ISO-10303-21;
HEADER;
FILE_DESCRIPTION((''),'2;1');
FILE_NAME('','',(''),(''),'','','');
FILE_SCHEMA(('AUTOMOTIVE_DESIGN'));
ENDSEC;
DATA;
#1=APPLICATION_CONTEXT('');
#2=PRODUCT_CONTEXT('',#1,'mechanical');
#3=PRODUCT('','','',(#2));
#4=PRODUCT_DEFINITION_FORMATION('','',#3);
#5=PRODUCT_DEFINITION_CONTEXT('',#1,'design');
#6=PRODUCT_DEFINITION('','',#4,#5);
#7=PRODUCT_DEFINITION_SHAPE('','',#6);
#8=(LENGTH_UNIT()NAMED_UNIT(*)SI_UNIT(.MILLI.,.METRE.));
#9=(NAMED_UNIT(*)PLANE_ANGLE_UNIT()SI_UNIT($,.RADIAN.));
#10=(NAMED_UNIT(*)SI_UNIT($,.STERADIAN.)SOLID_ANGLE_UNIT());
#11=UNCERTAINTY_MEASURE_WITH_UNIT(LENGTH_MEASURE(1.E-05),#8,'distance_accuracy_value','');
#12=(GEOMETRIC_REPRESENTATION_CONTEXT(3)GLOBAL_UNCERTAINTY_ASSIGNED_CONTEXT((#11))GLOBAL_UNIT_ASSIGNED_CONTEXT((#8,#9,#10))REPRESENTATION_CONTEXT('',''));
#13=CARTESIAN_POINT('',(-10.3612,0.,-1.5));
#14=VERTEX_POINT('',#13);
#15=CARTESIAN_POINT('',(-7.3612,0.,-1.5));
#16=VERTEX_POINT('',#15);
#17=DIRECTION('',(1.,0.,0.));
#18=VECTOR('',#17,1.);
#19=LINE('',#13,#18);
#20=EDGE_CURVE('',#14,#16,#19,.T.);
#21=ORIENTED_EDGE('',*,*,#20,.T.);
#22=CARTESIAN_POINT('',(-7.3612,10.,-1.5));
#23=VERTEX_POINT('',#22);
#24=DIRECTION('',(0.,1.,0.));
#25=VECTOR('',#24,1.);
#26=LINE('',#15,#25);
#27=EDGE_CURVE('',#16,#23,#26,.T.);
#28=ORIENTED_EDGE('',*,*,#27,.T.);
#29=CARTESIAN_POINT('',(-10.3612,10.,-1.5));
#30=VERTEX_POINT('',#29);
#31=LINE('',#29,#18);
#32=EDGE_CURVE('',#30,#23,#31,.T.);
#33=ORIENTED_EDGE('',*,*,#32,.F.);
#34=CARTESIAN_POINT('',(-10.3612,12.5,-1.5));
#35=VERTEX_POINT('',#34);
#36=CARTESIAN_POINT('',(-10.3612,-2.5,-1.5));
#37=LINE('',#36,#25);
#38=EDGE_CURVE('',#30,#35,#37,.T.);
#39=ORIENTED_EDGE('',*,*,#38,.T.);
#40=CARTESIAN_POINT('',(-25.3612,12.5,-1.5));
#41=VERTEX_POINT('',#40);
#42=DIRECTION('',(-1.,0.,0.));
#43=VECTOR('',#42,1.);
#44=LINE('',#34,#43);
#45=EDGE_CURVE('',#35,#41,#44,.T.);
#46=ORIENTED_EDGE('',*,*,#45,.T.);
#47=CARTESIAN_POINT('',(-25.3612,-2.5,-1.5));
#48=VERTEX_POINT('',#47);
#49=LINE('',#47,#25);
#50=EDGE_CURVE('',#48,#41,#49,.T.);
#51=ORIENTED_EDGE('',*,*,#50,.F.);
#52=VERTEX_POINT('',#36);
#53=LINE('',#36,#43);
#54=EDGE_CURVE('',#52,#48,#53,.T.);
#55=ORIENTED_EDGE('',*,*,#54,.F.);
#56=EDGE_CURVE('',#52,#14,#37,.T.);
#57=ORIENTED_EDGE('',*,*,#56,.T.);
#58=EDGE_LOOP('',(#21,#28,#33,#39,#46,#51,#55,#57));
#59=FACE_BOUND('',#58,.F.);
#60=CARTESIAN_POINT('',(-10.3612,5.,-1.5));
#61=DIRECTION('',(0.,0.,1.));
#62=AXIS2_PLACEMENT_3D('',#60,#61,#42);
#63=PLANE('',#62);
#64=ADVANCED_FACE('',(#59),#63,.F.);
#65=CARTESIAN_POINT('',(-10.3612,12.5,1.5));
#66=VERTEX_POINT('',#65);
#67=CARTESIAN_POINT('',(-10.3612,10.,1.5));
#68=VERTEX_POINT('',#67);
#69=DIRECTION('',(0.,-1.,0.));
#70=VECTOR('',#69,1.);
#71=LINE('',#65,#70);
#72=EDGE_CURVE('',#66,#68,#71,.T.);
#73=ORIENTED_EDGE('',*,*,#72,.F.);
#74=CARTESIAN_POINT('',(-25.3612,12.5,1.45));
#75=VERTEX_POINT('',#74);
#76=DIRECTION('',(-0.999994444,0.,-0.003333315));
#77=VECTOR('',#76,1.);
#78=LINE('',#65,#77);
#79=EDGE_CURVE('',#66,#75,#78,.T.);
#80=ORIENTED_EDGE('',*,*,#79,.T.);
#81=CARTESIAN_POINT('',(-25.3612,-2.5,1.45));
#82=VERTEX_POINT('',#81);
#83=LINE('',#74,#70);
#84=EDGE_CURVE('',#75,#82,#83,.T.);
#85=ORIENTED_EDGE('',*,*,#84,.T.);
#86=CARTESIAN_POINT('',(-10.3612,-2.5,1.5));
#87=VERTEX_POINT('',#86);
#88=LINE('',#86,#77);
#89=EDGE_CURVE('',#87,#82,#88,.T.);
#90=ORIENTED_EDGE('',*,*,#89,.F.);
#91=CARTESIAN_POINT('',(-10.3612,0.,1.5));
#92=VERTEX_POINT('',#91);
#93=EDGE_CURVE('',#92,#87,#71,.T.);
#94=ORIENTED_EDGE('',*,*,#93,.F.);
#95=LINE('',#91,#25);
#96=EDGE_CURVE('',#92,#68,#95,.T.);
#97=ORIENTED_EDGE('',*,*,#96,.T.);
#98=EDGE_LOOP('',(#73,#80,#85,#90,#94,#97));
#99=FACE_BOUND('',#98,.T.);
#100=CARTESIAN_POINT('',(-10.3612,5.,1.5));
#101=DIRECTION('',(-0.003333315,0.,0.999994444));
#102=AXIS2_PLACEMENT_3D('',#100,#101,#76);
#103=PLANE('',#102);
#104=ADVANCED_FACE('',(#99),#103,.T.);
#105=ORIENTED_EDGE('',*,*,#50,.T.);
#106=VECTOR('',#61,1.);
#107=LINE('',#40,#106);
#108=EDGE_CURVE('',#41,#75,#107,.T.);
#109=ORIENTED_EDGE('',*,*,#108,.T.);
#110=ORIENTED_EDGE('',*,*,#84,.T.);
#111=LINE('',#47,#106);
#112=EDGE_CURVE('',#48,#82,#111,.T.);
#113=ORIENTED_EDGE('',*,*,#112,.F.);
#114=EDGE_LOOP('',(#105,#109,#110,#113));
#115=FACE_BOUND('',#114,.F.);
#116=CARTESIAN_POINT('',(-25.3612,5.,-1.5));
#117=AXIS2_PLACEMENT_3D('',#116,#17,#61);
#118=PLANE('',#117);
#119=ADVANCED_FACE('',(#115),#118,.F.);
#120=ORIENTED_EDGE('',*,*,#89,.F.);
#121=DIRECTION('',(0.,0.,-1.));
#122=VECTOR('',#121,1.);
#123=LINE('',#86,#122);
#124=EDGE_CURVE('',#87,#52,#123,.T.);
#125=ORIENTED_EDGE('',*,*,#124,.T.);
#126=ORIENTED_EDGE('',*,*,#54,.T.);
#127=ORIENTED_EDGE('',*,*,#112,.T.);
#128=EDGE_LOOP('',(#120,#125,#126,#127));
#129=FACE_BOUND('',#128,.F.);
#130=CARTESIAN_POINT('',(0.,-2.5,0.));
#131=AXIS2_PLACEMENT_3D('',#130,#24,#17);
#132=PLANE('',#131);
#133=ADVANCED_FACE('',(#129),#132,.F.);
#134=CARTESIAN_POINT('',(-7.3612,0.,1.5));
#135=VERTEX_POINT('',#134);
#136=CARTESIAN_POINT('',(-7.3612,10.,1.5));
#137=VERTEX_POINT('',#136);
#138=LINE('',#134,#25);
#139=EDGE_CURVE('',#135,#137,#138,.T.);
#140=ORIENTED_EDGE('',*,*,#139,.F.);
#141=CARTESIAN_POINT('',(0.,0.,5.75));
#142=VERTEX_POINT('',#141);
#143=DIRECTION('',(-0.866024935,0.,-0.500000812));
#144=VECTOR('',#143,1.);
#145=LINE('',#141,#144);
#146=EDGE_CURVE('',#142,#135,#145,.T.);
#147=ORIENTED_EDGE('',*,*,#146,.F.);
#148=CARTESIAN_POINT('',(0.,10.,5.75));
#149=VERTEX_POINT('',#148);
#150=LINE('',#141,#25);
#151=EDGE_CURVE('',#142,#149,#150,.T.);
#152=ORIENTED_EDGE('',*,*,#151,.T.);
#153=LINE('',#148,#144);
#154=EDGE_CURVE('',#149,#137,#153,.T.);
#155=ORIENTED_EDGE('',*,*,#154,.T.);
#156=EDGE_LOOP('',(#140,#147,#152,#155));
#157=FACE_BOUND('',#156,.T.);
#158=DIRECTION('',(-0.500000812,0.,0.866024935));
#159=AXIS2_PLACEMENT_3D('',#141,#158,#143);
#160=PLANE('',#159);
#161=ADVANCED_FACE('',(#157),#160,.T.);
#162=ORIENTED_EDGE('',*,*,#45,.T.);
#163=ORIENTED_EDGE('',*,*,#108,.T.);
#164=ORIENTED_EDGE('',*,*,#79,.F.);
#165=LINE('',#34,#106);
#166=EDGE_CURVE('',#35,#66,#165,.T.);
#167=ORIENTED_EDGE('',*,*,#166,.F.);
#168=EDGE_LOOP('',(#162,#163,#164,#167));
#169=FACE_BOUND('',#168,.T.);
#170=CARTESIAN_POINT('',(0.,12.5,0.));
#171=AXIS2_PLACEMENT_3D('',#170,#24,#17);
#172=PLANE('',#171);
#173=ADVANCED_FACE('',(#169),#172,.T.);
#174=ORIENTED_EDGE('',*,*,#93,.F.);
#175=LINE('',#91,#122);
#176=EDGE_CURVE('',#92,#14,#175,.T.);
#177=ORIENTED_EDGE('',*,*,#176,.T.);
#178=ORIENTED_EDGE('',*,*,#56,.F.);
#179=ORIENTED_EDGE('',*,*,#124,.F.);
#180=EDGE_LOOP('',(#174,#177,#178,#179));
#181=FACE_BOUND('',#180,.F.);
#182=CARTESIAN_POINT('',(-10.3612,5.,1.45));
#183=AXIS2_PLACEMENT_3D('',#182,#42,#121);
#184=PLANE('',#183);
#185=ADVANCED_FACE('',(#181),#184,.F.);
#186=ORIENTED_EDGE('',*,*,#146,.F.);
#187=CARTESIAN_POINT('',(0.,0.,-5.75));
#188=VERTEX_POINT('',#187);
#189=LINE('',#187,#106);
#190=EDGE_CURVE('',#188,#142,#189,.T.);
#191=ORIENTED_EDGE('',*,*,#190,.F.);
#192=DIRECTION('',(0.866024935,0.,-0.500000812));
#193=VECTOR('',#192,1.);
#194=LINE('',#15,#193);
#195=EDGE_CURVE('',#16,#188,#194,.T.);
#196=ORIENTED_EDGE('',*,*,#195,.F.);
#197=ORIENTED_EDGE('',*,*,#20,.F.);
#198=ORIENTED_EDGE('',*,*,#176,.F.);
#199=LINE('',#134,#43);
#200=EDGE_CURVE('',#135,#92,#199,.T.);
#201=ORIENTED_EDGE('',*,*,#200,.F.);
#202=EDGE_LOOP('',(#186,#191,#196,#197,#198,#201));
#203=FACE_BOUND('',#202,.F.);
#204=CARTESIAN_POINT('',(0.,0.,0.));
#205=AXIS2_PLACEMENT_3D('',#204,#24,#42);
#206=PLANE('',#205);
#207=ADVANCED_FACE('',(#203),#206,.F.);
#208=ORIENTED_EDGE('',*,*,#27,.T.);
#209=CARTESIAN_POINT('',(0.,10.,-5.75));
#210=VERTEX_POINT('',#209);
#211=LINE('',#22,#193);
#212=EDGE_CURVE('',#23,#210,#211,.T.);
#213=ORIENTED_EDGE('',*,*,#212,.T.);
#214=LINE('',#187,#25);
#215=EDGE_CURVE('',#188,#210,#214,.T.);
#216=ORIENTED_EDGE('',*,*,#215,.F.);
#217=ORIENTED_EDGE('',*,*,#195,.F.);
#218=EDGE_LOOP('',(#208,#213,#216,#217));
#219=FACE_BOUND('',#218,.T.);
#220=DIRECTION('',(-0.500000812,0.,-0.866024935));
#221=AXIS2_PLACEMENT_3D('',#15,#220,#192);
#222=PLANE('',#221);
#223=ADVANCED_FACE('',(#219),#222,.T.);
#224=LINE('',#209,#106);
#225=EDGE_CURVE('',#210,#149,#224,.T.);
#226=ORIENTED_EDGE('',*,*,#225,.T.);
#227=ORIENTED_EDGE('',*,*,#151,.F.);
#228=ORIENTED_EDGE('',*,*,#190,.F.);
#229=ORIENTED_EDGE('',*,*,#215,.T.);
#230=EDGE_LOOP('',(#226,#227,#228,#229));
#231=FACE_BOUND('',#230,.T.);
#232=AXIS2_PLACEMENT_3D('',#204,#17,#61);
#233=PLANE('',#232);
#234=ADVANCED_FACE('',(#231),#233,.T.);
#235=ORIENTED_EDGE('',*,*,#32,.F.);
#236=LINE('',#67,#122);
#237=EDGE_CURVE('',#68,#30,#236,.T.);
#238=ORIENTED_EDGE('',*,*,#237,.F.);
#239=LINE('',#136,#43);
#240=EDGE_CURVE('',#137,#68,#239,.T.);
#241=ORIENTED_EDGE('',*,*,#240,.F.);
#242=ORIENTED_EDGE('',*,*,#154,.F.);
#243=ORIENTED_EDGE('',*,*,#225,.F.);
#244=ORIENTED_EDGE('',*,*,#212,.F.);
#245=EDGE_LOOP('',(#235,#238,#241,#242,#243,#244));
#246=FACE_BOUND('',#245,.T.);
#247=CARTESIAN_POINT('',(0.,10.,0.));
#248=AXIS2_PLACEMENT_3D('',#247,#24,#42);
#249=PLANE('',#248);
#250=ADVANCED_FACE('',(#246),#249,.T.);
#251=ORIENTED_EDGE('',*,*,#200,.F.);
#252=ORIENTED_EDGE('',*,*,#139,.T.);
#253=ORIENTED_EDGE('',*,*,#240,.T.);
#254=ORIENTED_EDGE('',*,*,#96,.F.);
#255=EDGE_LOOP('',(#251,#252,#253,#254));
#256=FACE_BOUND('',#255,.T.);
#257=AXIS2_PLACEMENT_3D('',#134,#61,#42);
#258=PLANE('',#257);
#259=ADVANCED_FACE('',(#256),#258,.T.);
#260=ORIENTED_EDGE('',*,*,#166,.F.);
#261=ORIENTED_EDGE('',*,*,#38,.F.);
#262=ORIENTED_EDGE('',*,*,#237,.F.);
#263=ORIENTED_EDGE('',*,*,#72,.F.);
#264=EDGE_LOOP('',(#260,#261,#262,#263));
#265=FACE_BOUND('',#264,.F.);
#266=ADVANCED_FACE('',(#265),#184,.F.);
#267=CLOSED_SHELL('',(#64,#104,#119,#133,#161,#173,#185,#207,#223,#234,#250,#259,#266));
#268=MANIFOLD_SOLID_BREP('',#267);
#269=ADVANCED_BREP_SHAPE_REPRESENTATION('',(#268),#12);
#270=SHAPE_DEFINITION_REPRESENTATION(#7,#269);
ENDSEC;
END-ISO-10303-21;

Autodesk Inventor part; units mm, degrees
ref_plane "YZ Plane" through (0, 0, 0) normal (1, 0, 0) x (0, 1, 0)
ref_plane "XZ Plane" through (0, 0, 0) normal (0, 1, 0) x (-1, 0, 0)
ref_plane "XY Plane" through (0, 0, 0) normal (0, 0, 1) x (1, 0, 0)
sketch "Skizze1" plane through (0, 0, 0) normal (0, 1, 0) x (-1, 0, 0)
  line L0 (0, 0) -> (0, -5.75)
  line L1 (0, 0) -> (0, 5.75)
  line L2 (0, 5.75) -> (6.7337, 5.75) construction
  line L3 (0, 5.75) -> (7.3612, 1.5)
  line L4 (0, 5.75) -> (11, 5.75) construction
  line L5 (7.3612, -1.5) -> (0, -5.75)
  line L6 (7.3612, 1.5) -> (6.8494, 1.7955)
  line L7 (7.3612, 1.5) -> (10.3612, 1.5)
  line L8 (10.3612, 1.5) -> (10.3612, -1.5)
  line L9 (10.3612, -1.5) -> (7.3612, -1.5)
  dimension "d0" = 5.75
  dimension "d1" = 5.75
  dimension "d5" = 30
  dimension "d8" = 3
extrude "Extrusion1" add sketch "Skizze1" along normal blind 10
ref_plane "Arbeitsebene1" through (0, 5, 0) normal (0, 1, 0) x (1, 0, 0)
sketch "Skizze2" plane through (0, 5, 0) normal (0, 1, 0) x (1, 0, 0)
  line L0 (-7.3612, 1.5) -> (-10.3612, 1.5) projected
  line L1 (-10.3612, 1.5) -> (-25.3612, 1.5)
  line L2 (-10.3612, -1.45) -> (-10.3612, 1.5)
  line L3 (-10.3612, 1.5) -> (-10.3612, -1.5) projected
  line L4 (-10.3612, -1.5) -> (-25.3612, -1.45)
  line L5 (-25.3612, 1.5) -> (-25.3612, -1.45)
  point P0 (0, 0)
  dimension "d12" = 15
extrude "Extrusion2" add sketch "Skizze2" along normal mid plane 15
properties part number "Scheibengeometrie_einfach"
